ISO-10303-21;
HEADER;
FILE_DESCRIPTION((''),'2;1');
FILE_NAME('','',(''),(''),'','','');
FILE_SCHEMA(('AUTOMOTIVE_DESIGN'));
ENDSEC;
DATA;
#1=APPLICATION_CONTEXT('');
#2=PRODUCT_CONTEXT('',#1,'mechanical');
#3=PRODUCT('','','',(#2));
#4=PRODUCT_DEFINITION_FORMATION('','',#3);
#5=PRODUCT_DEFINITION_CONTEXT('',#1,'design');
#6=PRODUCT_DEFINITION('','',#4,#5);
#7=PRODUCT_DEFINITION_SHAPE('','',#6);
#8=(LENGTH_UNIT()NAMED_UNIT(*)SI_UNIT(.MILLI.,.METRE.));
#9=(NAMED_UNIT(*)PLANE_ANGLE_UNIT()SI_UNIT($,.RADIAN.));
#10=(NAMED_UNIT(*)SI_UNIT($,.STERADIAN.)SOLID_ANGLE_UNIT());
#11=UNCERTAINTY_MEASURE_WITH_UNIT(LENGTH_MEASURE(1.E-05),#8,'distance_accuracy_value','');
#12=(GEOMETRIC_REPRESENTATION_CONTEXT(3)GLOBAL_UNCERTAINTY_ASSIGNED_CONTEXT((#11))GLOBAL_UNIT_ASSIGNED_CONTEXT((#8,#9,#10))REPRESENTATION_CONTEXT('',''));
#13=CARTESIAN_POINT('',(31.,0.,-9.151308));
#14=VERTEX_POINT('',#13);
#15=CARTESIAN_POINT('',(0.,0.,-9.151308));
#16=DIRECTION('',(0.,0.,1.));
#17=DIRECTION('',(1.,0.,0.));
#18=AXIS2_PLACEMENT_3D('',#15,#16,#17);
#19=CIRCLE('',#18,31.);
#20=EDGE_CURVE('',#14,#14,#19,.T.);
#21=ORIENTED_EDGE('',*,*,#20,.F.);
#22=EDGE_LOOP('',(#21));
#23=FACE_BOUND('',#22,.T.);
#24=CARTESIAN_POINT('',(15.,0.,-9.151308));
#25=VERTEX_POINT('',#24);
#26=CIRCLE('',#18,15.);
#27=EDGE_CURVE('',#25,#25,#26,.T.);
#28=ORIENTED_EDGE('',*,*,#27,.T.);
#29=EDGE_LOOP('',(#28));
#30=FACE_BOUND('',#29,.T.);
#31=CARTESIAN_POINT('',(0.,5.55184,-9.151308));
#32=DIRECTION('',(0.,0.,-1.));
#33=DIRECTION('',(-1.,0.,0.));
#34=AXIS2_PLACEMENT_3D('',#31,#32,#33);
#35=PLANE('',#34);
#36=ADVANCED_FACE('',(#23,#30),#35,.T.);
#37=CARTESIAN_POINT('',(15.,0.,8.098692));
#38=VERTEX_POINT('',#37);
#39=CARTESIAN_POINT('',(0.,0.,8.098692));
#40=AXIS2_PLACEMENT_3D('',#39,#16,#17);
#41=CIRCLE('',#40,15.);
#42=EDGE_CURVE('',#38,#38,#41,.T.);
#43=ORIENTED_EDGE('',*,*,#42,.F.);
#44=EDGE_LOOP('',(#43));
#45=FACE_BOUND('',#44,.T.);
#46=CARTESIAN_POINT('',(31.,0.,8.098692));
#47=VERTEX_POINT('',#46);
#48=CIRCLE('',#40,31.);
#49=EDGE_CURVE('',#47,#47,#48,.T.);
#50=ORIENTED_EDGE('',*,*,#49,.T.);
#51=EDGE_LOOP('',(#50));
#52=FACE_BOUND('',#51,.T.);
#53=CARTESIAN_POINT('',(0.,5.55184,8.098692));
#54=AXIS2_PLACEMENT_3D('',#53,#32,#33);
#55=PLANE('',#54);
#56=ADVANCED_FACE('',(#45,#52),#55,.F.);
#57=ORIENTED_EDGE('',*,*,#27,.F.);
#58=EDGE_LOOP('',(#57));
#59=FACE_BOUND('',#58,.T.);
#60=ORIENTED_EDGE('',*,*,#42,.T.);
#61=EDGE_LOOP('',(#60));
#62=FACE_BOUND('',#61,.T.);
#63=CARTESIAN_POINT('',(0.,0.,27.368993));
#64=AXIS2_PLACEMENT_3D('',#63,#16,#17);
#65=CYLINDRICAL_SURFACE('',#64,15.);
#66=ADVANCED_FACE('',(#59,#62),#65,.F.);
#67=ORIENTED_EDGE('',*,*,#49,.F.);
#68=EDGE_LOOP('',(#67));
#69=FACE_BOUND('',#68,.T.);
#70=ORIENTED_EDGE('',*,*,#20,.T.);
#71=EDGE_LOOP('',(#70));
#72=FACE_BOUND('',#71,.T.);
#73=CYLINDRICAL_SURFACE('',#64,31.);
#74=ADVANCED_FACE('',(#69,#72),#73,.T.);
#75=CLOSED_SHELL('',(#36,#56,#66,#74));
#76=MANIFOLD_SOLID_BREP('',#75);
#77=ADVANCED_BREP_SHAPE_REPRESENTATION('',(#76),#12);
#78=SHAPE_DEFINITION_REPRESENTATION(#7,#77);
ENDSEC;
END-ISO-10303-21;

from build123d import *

# Parameters (mm, degrees)
SKETCH_1_W = 17.25
SKETCH_1_H = 16


with BuildPart() as part:
    # 草图1 → 旋转1 (revolve)
    with BuildSketch(Plane(origin=(0, 0, 0), x_dir=(0, 0, -1), z_dir=(1, 0, 0))):
        with Locations((0.526307789, 23)):
            Rectangle(SKETCH_1_W, SKETCH_1_H)
    revolve(axis=Axis((0, 0, 27.368992763), (0, 0, -1)))


solid = part.part
